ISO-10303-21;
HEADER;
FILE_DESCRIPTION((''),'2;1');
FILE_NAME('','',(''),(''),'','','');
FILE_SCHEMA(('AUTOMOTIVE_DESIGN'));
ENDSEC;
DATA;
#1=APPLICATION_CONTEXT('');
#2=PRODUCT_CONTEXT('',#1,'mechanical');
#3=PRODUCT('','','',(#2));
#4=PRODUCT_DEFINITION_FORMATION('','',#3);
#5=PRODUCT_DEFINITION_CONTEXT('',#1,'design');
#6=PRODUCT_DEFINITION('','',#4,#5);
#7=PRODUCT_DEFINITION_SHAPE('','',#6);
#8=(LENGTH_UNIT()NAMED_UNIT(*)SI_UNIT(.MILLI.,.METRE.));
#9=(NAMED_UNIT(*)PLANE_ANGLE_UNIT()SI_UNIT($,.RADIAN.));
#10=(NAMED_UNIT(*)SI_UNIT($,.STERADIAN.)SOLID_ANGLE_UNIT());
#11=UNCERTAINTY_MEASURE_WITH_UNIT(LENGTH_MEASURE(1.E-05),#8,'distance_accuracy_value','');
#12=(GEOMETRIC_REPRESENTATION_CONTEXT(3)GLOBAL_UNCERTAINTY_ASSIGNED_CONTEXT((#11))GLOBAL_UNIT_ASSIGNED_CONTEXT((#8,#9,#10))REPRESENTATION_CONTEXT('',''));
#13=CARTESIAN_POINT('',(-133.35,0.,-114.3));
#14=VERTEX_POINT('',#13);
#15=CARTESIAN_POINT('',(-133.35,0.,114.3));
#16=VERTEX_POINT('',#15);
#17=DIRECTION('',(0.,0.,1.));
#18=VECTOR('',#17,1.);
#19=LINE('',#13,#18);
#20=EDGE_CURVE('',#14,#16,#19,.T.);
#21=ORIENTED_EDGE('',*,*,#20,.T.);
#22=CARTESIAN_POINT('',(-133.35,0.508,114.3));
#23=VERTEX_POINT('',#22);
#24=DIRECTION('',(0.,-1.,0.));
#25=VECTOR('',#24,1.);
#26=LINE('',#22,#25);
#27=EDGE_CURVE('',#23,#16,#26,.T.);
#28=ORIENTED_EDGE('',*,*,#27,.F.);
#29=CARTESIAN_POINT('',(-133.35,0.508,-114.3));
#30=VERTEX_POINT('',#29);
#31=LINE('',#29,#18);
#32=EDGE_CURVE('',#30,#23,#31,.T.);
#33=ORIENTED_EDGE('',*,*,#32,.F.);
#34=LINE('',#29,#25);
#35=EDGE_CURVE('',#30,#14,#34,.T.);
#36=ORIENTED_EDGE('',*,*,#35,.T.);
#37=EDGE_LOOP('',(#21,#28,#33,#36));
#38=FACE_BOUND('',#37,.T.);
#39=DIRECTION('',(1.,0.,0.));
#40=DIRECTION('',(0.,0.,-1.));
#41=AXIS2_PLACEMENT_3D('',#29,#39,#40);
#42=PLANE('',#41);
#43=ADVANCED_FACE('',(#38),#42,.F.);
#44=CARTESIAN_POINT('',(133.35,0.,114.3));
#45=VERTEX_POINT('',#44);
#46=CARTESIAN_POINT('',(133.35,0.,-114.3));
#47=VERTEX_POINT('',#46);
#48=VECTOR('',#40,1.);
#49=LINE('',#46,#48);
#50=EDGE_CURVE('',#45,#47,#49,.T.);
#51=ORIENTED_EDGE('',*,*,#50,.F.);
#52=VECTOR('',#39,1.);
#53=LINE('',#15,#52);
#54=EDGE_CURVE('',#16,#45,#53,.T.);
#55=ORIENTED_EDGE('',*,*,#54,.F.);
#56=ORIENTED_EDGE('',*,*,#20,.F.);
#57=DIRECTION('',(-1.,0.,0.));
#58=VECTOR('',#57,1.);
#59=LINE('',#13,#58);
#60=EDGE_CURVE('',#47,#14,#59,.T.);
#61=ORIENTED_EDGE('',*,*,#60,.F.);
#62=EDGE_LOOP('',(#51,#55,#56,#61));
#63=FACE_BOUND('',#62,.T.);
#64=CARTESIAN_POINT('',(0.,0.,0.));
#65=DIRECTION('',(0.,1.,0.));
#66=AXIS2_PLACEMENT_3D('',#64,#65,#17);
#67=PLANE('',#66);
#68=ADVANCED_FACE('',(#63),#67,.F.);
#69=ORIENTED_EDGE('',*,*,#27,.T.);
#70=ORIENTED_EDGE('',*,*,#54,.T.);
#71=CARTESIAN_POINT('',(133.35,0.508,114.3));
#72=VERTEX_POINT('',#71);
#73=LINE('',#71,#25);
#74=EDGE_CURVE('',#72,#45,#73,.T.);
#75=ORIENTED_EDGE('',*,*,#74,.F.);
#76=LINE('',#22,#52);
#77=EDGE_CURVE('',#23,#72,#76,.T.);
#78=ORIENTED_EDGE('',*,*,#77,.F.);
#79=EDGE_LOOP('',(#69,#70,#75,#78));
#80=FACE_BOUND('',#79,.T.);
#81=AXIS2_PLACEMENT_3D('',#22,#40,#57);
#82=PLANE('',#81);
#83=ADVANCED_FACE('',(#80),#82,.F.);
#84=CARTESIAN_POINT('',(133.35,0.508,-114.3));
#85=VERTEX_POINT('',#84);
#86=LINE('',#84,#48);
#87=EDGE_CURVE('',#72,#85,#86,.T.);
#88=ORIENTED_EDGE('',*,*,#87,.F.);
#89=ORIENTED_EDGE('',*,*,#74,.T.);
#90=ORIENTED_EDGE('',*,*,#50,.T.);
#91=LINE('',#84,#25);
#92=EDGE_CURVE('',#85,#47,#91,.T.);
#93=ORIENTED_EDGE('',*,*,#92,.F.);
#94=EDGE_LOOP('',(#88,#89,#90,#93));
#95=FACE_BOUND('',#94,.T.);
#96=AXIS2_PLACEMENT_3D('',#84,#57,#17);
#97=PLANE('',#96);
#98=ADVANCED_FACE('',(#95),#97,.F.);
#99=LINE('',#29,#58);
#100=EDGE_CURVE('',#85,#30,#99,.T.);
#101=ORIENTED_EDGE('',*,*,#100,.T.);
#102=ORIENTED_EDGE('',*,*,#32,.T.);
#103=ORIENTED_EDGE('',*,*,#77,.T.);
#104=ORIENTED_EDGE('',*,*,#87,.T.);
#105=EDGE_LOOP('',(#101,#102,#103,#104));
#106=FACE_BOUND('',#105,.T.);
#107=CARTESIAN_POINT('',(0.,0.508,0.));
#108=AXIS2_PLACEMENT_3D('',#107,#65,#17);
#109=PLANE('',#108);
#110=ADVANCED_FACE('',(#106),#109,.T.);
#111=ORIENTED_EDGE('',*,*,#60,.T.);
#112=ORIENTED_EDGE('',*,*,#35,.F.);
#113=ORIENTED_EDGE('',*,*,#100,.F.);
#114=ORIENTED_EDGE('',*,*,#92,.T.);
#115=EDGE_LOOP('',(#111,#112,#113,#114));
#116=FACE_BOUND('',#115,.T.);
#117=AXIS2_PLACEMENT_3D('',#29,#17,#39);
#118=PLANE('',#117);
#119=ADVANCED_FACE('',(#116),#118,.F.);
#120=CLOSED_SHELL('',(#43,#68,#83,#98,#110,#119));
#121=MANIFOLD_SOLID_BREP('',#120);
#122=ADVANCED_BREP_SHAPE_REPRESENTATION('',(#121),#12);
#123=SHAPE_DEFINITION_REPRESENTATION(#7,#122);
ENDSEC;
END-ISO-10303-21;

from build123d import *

# Parameters (mm, degrees)
SKETCH1_W           = 266.7
SKETCH1_H           = 228.6
BOSS_EXTRUDE1_DEPTH = 0.508


with BuildPart() as part:
    # Sketch1 → Boss-Extrude1 (new body)
    with BuildSketch(Plane(origin=(0, 0, 0), x_dir=(1, 0, 0), z_dir=(0, 1, 0))):
        Rectangle(SKETCH1_W, SKETCH1_H)
    extrude(amount=BOSS_EXTRUDE1_DEPTH)


solid = part.part
